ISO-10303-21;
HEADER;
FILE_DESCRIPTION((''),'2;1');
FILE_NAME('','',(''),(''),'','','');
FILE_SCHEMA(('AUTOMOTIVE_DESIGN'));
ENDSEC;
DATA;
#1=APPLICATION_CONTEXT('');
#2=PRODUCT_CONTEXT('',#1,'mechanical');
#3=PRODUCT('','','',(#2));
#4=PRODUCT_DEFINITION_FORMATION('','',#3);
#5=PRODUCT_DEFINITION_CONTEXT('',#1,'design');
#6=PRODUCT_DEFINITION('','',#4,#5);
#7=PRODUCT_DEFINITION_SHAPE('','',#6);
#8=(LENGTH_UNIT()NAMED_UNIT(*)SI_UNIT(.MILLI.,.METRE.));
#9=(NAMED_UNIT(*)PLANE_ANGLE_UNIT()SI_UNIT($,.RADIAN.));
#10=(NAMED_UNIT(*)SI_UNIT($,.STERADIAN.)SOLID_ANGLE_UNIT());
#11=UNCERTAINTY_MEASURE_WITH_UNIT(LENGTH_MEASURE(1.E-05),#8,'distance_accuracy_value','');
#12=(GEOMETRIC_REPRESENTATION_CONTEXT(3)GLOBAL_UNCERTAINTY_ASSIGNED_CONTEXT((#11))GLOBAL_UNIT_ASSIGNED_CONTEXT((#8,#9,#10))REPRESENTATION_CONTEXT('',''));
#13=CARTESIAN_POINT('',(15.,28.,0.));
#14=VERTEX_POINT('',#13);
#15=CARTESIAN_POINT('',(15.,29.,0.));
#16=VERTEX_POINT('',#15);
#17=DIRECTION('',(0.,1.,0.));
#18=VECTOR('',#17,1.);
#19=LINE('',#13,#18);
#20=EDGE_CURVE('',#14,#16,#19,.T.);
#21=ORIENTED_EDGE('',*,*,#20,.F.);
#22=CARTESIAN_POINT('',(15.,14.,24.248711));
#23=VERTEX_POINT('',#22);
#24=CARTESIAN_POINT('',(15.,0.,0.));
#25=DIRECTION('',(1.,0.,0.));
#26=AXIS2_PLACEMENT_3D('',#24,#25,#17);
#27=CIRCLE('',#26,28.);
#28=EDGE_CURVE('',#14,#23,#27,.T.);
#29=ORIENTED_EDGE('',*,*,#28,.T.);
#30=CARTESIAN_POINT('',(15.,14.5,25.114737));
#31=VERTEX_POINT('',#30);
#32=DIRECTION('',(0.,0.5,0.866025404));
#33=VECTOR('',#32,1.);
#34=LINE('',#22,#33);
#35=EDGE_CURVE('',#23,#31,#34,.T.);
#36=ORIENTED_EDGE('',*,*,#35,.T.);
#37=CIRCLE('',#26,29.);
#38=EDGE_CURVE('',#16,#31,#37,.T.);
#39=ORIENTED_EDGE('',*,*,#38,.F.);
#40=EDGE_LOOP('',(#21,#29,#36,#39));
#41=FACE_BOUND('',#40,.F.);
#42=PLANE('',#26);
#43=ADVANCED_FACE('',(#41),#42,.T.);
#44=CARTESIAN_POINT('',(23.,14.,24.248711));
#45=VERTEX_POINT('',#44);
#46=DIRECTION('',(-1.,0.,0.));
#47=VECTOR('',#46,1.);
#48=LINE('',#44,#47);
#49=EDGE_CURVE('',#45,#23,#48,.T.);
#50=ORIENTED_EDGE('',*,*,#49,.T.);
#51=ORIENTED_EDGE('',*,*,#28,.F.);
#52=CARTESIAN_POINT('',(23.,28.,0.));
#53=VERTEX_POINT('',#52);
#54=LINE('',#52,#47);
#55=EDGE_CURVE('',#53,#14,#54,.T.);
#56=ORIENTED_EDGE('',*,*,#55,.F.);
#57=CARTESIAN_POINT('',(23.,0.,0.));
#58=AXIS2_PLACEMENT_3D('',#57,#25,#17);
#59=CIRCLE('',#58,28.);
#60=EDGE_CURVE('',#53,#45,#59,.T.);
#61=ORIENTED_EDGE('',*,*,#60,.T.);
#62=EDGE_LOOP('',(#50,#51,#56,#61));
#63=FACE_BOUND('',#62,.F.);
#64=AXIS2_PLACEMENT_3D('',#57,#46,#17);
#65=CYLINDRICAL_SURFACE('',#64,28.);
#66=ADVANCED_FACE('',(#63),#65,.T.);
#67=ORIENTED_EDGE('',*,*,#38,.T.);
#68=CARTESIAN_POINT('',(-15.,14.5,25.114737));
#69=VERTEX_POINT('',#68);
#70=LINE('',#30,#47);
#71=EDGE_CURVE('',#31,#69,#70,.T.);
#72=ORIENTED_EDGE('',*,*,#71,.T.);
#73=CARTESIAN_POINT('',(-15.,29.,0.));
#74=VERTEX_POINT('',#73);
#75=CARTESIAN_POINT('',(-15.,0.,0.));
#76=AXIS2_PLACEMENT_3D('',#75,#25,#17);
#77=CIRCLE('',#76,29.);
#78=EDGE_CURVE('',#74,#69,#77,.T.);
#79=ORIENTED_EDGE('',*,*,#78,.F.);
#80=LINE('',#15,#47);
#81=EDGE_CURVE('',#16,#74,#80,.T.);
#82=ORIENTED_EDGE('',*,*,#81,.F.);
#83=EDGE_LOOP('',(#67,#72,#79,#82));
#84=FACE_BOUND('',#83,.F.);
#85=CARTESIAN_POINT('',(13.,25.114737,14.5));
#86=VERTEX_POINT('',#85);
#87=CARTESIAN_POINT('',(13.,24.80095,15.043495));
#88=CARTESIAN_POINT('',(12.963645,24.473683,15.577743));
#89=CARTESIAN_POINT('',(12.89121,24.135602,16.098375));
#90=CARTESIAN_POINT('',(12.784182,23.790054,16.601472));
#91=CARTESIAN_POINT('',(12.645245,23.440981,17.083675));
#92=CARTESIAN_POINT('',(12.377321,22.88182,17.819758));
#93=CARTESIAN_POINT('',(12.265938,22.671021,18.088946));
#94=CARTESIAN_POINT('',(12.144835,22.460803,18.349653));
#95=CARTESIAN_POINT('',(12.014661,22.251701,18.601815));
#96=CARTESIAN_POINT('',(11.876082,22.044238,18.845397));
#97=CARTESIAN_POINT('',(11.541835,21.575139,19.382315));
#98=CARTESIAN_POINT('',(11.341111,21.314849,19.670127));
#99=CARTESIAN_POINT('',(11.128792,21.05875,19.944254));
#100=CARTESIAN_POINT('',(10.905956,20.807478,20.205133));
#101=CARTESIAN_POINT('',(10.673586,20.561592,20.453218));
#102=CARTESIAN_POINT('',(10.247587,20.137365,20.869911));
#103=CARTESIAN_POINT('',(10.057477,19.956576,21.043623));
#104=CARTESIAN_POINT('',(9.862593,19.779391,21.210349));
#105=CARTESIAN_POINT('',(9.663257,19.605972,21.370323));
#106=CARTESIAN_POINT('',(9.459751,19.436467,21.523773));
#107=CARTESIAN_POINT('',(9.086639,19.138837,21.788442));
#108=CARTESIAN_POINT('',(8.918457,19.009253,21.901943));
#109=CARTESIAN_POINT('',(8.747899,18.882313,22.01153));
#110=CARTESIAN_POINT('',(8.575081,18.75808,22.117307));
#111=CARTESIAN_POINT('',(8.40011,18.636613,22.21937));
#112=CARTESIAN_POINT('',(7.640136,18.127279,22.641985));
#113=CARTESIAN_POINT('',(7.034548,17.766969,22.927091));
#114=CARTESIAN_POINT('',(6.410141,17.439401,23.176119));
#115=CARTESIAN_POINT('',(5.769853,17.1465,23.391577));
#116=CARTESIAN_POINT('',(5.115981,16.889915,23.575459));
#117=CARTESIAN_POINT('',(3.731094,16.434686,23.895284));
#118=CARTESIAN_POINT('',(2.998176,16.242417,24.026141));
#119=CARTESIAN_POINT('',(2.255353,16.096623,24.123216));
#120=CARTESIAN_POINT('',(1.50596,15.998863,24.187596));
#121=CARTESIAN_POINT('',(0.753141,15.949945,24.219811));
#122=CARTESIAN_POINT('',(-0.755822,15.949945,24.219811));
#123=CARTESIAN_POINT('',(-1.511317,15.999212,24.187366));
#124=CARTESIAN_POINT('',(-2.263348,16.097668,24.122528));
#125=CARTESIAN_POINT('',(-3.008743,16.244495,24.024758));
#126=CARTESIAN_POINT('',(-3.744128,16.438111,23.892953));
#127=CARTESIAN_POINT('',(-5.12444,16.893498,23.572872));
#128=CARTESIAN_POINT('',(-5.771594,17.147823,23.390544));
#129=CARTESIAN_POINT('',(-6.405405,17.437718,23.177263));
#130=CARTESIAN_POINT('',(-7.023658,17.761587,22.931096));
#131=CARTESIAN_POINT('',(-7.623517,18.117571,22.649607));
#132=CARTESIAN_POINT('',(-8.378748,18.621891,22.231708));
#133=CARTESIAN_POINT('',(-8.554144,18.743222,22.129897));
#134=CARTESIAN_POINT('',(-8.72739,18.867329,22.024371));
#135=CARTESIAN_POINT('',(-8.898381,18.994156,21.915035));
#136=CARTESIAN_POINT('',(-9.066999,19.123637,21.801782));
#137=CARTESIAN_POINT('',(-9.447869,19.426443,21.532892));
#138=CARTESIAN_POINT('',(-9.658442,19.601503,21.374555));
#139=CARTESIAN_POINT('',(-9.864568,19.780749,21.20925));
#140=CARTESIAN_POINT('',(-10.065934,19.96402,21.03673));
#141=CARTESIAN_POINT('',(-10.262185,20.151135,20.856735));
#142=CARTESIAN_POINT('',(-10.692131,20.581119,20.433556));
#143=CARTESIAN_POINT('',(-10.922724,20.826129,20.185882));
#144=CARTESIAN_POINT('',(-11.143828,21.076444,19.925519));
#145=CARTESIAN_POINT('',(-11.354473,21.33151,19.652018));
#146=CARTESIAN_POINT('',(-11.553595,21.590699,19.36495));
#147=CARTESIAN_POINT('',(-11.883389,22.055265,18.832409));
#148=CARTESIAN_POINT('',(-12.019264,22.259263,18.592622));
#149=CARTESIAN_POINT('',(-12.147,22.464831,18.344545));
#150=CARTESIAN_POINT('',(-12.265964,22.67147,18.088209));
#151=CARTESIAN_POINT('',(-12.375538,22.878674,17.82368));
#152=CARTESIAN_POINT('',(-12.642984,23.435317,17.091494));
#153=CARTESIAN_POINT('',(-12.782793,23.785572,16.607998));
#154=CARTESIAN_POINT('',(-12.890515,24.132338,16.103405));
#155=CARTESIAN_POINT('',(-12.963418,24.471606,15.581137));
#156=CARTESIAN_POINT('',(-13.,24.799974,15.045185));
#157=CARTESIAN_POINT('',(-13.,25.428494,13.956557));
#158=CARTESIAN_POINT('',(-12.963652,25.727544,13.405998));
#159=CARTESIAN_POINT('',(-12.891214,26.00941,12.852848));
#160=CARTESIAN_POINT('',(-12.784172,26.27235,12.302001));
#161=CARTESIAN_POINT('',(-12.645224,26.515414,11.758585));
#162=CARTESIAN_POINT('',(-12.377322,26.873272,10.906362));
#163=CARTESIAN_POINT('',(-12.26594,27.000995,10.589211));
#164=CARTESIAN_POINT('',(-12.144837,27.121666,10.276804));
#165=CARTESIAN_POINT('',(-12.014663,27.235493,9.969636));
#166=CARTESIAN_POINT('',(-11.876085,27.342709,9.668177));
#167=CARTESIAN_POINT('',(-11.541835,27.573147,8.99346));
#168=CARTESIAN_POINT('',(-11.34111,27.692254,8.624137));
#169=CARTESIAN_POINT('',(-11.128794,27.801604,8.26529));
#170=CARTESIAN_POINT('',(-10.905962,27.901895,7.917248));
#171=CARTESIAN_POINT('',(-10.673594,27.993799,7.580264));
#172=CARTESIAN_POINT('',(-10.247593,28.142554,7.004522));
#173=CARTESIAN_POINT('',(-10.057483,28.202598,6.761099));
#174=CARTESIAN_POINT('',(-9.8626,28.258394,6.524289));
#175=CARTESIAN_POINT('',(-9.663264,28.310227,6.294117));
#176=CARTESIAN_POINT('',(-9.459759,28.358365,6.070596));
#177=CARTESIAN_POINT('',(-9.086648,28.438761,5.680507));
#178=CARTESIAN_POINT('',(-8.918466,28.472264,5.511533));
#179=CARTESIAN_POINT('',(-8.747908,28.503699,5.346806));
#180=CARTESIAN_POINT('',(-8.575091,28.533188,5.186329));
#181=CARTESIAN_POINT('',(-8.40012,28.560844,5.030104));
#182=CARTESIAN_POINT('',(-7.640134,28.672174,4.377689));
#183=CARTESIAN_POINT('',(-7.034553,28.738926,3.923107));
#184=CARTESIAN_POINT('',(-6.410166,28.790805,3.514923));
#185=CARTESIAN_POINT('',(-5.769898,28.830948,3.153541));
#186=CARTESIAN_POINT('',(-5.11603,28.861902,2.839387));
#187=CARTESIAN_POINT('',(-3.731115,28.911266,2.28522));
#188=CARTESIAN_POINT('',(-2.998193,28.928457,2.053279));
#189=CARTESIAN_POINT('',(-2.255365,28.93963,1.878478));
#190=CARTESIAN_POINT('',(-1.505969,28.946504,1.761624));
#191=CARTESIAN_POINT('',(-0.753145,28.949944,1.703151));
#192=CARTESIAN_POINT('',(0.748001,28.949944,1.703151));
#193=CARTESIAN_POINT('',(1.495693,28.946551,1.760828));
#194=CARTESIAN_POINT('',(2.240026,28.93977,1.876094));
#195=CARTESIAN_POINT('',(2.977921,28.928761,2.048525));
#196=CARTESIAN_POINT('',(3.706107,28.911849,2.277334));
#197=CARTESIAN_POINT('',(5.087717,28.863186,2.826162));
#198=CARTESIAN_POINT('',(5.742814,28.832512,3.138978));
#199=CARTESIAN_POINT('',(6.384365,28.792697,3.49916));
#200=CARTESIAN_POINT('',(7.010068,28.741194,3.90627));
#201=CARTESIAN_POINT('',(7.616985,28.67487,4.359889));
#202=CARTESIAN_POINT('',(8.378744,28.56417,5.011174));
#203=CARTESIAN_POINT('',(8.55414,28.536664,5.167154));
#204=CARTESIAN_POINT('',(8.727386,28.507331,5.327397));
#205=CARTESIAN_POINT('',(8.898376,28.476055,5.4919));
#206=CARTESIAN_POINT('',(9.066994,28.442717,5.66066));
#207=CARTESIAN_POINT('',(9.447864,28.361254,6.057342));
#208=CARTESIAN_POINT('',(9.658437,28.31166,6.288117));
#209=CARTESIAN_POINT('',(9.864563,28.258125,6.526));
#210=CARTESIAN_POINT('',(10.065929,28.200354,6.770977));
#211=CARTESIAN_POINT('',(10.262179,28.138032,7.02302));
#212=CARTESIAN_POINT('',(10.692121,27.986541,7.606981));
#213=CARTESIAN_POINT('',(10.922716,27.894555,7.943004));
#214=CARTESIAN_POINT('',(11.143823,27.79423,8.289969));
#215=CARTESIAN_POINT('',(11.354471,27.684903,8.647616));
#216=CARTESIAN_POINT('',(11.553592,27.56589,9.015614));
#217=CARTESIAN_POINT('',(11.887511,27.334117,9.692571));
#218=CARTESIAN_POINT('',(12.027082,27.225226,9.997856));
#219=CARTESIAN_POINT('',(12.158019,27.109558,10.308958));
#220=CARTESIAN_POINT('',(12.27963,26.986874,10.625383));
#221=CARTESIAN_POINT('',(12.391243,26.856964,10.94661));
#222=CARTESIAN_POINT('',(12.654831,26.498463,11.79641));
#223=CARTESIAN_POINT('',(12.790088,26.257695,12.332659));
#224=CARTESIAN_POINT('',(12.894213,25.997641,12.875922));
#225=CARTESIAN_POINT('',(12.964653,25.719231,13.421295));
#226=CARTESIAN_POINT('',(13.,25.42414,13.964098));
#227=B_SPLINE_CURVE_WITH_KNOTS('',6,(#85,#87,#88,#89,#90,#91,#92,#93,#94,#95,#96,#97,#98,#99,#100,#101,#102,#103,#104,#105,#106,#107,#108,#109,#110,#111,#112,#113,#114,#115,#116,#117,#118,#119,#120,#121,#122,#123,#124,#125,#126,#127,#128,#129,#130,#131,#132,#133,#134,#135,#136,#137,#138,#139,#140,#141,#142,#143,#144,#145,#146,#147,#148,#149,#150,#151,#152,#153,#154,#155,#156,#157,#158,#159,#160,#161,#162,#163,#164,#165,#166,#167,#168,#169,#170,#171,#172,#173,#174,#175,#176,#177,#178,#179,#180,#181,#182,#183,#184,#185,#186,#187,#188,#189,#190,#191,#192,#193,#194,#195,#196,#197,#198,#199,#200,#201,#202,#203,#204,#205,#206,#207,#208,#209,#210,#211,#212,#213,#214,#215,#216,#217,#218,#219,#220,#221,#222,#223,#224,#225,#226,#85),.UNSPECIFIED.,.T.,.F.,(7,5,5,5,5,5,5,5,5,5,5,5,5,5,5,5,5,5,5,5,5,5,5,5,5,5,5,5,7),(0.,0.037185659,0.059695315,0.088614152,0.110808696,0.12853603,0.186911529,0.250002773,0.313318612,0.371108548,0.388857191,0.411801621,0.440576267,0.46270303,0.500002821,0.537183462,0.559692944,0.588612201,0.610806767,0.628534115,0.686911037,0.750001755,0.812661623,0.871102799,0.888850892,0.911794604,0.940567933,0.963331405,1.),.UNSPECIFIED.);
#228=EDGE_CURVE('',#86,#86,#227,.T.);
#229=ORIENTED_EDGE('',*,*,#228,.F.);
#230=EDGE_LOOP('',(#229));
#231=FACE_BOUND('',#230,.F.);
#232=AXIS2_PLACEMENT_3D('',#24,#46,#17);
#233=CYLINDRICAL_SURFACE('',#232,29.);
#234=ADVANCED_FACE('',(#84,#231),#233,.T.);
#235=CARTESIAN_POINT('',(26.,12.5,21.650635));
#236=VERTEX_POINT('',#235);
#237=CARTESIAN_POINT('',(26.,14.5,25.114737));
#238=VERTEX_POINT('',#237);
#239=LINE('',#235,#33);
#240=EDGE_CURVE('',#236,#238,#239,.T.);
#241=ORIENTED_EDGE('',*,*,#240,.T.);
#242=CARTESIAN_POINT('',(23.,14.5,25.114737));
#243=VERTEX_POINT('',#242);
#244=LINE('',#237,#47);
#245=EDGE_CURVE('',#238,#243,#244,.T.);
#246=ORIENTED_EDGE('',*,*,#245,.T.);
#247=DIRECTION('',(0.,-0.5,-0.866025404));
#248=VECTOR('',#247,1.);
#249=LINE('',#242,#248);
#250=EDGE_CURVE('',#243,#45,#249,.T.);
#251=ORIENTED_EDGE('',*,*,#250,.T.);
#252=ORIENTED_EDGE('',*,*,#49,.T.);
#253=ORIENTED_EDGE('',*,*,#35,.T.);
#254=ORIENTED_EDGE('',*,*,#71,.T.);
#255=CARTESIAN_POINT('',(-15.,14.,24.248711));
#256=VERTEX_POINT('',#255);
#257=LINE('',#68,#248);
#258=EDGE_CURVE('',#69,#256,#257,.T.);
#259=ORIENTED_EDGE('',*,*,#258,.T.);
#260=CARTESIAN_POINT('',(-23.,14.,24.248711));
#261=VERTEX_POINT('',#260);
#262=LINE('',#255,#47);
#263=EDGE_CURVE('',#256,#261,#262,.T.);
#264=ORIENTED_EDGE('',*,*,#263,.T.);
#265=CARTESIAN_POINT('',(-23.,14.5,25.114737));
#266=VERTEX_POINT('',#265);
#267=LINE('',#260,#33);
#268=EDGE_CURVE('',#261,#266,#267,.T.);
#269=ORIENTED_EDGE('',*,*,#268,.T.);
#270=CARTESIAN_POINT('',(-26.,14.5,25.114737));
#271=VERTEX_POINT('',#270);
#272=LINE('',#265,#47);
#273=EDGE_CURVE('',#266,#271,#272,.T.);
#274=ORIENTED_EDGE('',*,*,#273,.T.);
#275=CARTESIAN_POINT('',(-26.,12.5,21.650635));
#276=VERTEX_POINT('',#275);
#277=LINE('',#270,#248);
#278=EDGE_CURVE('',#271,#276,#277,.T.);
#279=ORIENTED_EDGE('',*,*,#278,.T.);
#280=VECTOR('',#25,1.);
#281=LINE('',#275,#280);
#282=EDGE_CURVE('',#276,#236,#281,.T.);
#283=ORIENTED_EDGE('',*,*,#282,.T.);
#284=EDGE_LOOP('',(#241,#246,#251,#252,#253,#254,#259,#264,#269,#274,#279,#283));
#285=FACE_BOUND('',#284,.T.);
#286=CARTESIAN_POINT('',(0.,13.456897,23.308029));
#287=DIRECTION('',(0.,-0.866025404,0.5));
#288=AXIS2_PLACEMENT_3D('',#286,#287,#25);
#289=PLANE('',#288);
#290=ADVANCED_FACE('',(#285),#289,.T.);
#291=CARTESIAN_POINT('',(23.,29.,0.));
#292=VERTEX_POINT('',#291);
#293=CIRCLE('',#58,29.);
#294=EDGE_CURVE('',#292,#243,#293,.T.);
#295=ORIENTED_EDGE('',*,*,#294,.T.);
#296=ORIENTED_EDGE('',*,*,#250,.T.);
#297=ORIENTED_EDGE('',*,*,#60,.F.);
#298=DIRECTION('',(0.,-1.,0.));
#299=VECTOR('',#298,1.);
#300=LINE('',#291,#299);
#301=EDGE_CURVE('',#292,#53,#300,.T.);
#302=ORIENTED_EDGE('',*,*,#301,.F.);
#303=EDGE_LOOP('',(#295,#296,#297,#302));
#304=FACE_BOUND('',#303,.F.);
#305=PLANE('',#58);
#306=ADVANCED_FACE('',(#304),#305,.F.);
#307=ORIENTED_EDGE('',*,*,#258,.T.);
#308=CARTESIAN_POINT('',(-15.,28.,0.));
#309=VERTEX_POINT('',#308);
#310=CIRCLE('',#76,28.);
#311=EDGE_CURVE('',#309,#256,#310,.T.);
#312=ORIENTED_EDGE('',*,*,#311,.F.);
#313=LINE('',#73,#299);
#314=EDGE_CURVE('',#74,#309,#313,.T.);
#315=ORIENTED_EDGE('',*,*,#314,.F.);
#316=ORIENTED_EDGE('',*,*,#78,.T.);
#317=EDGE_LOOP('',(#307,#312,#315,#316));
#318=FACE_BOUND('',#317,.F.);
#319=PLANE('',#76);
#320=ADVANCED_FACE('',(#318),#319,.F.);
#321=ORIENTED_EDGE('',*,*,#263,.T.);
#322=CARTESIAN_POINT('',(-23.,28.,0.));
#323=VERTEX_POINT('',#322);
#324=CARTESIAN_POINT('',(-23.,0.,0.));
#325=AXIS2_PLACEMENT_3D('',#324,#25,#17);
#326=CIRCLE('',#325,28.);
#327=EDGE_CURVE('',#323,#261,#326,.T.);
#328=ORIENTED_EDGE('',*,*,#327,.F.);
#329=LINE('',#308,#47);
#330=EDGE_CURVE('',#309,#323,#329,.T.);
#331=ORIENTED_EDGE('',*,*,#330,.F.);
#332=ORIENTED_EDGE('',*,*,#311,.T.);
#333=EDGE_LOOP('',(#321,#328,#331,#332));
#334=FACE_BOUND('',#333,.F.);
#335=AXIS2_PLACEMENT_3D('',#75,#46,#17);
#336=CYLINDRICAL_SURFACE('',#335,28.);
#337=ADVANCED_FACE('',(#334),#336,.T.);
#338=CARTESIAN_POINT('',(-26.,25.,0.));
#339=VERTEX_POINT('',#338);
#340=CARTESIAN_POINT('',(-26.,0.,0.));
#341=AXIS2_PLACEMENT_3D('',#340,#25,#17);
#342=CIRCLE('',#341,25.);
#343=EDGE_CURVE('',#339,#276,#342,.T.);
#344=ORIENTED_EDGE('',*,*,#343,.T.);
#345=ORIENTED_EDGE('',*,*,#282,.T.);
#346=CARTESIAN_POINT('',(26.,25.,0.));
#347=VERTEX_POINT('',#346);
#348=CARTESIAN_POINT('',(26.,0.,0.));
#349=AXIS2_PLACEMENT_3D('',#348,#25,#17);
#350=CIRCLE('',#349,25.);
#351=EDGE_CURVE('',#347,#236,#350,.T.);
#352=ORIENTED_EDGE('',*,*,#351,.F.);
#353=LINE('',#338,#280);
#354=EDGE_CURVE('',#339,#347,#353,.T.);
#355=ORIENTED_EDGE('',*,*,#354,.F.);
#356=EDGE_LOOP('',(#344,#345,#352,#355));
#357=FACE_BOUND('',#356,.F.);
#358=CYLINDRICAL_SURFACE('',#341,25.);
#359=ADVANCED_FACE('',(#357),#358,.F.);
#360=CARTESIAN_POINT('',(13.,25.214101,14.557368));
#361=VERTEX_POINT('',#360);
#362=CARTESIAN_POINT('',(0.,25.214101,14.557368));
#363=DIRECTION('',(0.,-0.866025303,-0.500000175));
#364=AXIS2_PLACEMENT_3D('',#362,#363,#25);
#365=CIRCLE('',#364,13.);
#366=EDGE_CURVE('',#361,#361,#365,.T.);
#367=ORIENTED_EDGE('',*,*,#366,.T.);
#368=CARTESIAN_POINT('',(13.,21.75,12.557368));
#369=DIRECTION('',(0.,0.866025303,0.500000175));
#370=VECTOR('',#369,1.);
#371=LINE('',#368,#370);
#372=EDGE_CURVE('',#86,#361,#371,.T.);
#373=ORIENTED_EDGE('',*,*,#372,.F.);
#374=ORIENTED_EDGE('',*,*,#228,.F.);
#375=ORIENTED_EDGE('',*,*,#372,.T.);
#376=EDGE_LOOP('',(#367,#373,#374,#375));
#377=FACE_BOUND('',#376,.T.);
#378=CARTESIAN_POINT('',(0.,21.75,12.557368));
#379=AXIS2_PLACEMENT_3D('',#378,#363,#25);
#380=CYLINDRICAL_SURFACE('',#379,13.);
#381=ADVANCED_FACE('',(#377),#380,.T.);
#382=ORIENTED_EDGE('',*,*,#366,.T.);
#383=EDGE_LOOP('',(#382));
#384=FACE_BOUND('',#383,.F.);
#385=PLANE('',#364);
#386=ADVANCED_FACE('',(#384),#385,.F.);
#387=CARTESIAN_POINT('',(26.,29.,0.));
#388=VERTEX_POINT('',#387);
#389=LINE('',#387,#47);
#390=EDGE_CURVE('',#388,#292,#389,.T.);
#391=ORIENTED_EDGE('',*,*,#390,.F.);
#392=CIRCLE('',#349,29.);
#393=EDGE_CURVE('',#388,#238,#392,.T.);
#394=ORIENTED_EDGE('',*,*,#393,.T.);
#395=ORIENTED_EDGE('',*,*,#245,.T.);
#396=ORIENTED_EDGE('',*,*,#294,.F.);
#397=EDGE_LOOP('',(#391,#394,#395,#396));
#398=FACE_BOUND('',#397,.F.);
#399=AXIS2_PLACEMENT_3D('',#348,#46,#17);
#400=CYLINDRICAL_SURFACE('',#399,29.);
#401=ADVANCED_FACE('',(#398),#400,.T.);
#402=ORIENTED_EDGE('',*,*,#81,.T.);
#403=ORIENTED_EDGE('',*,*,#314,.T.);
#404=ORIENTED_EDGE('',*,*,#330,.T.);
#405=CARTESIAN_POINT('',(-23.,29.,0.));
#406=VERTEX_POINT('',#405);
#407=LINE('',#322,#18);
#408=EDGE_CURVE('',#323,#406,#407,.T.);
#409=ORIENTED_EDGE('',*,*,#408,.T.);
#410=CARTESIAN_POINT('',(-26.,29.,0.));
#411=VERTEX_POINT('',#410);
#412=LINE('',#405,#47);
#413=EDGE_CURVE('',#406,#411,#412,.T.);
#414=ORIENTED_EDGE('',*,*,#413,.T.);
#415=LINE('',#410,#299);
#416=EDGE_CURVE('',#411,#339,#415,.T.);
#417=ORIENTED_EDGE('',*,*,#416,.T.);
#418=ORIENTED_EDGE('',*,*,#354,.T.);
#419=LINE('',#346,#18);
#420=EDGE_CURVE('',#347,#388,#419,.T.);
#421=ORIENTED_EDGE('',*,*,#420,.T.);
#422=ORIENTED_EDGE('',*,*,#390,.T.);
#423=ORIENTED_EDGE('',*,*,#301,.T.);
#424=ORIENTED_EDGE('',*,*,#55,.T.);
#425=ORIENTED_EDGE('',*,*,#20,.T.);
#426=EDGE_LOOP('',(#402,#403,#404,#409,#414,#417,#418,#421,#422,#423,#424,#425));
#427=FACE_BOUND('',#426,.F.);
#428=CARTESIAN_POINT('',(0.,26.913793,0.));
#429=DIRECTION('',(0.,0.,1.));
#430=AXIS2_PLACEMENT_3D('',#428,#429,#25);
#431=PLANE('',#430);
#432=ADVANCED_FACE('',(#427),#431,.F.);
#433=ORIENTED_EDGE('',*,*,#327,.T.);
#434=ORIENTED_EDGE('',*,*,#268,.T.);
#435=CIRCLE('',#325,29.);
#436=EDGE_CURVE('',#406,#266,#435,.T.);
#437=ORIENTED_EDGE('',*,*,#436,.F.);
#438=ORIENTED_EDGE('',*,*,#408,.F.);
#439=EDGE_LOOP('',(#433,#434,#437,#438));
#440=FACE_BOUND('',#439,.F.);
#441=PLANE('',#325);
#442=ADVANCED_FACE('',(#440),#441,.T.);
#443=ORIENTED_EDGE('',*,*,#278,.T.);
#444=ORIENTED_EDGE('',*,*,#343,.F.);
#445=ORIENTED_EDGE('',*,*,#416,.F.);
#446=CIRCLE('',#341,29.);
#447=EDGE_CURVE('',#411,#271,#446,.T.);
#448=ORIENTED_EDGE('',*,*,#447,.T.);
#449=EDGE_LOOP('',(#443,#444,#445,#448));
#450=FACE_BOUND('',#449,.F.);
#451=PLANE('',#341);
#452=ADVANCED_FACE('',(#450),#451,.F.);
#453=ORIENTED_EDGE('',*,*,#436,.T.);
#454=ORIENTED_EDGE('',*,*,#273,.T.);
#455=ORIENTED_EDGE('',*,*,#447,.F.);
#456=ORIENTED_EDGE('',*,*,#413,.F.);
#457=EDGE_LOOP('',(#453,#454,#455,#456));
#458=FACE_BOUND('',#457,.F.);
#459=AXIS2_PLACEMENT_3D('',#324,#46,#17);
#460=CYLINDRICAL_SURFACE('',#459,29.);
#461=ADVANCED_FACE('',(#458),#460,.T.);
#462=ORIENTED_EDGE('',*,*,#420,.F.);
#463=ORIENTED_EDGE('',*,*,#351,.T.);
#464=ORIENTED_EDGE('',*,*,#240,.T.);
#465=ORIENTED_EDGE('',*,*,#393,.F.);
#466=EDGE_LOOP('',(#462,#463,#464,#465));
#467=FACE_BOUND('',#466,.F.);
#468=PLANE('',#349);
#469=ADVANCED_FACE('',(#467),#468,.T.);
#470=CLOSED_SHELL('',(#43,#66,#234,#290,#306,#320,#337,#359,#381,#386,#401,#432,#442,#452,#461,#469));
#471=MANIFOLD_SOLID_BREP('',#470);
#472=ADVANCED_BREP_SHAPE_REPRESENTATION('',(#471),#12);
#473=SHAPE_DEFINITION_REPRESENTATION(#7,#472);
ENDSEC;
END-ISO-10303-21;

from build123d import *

# Parameters (mm, degrees)
REVOLUTION_ANGLE = 60
SKETCH001_R      = 13
PAD_DEPTH        = 4


with BuildPart() as part:
    # Sketch → Revolution (revolve)
    with BuildSketch(Plane.XY):
        Polygon((-26, 25), (26, 25), (26, 29), (23, 29), (23, 28), (15, 28), (15, 29), (-15, 29), (-15, 28), (-23, 28), (-23, 29), (-26, 29), align=None)
    revolve(axis=Axis((0, 0, 0), (1, 0, 0)), revolution_arc=REVOLUTION_ANGLE)

    # Sketch001 (on DatumPlane) → Pad (new body)
    with BuildSketch(Plane(origin=(0.333333, 24.166667, 8.371579), x_dir=(1, 0, 0), z_dir=(0, -0.866025, -0.5))):
        with Locations((-0.333333, 4.833333)):
            Circle(SKETCH001_R)
    extrude(amount=-PAD_DEPTH)


solid = part.part
